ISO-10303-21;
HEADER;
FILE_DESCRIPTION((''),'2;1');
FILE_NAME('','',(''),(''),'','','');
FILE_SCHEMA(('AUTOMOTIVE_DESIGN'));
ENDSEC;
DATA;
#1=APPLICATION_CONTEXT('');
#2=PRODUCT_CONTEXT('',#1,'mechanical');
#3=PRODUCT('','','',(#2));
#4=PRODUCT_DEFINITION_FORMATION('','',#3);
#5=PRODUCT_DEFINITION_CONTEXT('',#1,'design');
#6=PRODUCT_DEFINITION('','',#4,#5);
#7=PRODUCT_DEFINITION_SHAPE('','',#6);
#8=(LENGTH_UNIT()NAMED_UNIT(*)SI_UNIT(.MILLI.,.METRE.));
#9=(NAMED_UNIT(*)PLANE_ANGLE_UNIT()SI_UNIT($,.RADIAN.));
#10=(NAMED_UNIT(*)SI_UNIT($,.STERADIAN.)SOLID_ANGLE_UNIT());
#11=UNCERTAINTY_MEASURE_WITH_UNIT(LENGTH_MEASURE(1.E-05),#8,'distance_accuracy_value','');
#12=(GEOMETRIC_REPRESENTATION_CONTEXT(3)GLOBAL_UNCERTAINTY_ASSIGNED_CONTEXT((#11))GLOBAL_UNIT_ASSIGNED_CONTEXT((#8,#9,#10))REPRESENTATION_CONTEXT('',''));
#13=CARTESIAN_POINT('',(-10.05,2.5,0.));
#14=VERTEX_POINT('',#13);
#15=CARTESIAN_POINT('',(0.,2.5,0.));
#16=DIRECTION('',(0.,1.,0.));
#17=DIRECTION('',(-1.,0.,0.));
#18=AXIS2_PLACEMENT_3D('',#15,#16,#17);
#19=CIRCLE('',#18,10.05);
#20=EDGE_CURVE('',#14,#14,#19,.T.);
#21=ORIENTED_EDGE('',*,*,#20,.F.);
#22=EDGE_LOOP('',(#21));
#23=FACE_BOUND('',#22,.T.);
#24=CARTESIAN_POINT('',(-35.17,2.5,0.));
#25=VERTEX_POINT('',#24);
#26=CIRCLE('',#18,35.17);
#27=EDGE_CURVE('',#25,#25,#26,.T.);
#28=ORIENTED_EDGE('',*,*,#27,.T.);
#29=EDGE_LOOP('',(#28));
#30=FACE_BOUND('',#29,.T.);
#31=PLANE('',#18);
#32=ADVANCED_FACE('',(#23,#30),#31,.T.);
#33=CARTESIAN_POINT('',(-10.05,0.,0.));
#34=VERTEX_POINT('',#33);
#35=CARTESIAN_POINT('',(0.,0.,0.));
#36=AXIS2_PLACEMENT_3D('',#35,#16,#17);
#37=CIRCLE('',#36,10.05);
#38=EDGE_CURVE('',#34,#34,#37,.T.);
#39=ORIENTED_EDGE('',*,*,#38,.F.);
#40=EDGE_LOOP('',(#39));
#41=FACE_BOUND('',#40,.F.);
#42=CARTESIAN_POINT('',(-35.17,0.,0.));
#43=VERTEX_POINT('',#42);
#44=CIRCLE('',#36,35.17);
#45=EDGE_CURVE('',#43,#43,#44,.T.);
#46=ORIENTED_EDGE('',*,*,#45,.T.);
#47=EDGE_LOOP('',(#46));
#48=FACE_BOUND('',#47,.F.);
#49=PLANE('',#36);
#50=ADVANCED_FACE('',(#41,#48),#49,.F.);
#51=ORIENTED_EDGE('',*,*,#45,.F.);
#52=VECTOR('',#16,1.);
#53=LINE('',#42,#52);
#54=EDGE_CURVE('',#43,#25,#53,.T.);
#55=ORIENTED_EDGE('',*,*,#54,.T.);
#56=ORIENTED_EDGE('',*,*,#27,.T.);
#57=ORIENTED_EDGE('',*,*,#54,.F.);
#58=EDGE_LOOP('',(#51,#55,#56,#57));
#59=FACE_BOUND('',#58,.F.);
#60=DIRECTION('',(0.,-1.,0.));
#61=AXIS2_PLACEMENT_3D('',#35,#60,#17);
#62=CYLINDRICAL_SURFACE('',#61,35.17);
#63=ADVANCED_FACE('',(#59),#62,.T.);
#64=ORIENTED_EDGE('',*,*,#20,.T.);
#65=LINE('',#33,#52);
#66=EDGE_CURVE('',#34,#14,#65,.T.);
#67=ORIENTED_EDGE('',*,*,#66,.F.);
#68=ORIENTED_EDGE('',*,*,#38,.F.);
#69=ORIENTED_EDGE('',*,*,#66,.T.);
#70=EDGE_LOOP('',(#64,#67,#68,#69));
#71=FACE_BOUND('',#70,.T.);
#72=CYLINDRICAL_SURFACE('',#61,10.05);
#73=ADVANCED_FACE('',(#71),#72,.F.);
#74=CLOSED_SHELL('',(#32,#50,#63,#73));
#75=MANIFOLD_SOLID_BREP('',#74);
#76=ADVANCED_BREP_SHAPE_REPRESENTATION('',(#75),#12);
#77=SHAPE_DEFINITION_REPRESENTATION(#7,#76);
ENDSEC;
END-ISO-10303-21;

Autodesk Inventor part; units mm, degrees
ref_plane "YZ Plane" through (0, 0, 0) normal (1, 0, 0) x (0, 1, 0)
ref_plane "XZ Plane" through (0, 0, 0) normal (0, 1, 0) x (-1, 0, 0)
ref_plane "XY Plane" through (0, 0, 0) normal (0, 0, 1) x (1, 0, 0)
sketch "Sketch1" plane through (0, 0, 0) normal (0, 1, 0) x (-1, 0, 0)
  circle A0 centre (0, 0) radius 35.17
  circle A1 centre (0, 0) radius 10.05
  dimension "d0" = 70.34
  dimension "d1" = 20.1
extrude "Extrusion1" add sketch "Sketch1" along normal blind 2.5
properties part number "Anillo de Empuje" material "MDF Medium Density Fiberboard"
